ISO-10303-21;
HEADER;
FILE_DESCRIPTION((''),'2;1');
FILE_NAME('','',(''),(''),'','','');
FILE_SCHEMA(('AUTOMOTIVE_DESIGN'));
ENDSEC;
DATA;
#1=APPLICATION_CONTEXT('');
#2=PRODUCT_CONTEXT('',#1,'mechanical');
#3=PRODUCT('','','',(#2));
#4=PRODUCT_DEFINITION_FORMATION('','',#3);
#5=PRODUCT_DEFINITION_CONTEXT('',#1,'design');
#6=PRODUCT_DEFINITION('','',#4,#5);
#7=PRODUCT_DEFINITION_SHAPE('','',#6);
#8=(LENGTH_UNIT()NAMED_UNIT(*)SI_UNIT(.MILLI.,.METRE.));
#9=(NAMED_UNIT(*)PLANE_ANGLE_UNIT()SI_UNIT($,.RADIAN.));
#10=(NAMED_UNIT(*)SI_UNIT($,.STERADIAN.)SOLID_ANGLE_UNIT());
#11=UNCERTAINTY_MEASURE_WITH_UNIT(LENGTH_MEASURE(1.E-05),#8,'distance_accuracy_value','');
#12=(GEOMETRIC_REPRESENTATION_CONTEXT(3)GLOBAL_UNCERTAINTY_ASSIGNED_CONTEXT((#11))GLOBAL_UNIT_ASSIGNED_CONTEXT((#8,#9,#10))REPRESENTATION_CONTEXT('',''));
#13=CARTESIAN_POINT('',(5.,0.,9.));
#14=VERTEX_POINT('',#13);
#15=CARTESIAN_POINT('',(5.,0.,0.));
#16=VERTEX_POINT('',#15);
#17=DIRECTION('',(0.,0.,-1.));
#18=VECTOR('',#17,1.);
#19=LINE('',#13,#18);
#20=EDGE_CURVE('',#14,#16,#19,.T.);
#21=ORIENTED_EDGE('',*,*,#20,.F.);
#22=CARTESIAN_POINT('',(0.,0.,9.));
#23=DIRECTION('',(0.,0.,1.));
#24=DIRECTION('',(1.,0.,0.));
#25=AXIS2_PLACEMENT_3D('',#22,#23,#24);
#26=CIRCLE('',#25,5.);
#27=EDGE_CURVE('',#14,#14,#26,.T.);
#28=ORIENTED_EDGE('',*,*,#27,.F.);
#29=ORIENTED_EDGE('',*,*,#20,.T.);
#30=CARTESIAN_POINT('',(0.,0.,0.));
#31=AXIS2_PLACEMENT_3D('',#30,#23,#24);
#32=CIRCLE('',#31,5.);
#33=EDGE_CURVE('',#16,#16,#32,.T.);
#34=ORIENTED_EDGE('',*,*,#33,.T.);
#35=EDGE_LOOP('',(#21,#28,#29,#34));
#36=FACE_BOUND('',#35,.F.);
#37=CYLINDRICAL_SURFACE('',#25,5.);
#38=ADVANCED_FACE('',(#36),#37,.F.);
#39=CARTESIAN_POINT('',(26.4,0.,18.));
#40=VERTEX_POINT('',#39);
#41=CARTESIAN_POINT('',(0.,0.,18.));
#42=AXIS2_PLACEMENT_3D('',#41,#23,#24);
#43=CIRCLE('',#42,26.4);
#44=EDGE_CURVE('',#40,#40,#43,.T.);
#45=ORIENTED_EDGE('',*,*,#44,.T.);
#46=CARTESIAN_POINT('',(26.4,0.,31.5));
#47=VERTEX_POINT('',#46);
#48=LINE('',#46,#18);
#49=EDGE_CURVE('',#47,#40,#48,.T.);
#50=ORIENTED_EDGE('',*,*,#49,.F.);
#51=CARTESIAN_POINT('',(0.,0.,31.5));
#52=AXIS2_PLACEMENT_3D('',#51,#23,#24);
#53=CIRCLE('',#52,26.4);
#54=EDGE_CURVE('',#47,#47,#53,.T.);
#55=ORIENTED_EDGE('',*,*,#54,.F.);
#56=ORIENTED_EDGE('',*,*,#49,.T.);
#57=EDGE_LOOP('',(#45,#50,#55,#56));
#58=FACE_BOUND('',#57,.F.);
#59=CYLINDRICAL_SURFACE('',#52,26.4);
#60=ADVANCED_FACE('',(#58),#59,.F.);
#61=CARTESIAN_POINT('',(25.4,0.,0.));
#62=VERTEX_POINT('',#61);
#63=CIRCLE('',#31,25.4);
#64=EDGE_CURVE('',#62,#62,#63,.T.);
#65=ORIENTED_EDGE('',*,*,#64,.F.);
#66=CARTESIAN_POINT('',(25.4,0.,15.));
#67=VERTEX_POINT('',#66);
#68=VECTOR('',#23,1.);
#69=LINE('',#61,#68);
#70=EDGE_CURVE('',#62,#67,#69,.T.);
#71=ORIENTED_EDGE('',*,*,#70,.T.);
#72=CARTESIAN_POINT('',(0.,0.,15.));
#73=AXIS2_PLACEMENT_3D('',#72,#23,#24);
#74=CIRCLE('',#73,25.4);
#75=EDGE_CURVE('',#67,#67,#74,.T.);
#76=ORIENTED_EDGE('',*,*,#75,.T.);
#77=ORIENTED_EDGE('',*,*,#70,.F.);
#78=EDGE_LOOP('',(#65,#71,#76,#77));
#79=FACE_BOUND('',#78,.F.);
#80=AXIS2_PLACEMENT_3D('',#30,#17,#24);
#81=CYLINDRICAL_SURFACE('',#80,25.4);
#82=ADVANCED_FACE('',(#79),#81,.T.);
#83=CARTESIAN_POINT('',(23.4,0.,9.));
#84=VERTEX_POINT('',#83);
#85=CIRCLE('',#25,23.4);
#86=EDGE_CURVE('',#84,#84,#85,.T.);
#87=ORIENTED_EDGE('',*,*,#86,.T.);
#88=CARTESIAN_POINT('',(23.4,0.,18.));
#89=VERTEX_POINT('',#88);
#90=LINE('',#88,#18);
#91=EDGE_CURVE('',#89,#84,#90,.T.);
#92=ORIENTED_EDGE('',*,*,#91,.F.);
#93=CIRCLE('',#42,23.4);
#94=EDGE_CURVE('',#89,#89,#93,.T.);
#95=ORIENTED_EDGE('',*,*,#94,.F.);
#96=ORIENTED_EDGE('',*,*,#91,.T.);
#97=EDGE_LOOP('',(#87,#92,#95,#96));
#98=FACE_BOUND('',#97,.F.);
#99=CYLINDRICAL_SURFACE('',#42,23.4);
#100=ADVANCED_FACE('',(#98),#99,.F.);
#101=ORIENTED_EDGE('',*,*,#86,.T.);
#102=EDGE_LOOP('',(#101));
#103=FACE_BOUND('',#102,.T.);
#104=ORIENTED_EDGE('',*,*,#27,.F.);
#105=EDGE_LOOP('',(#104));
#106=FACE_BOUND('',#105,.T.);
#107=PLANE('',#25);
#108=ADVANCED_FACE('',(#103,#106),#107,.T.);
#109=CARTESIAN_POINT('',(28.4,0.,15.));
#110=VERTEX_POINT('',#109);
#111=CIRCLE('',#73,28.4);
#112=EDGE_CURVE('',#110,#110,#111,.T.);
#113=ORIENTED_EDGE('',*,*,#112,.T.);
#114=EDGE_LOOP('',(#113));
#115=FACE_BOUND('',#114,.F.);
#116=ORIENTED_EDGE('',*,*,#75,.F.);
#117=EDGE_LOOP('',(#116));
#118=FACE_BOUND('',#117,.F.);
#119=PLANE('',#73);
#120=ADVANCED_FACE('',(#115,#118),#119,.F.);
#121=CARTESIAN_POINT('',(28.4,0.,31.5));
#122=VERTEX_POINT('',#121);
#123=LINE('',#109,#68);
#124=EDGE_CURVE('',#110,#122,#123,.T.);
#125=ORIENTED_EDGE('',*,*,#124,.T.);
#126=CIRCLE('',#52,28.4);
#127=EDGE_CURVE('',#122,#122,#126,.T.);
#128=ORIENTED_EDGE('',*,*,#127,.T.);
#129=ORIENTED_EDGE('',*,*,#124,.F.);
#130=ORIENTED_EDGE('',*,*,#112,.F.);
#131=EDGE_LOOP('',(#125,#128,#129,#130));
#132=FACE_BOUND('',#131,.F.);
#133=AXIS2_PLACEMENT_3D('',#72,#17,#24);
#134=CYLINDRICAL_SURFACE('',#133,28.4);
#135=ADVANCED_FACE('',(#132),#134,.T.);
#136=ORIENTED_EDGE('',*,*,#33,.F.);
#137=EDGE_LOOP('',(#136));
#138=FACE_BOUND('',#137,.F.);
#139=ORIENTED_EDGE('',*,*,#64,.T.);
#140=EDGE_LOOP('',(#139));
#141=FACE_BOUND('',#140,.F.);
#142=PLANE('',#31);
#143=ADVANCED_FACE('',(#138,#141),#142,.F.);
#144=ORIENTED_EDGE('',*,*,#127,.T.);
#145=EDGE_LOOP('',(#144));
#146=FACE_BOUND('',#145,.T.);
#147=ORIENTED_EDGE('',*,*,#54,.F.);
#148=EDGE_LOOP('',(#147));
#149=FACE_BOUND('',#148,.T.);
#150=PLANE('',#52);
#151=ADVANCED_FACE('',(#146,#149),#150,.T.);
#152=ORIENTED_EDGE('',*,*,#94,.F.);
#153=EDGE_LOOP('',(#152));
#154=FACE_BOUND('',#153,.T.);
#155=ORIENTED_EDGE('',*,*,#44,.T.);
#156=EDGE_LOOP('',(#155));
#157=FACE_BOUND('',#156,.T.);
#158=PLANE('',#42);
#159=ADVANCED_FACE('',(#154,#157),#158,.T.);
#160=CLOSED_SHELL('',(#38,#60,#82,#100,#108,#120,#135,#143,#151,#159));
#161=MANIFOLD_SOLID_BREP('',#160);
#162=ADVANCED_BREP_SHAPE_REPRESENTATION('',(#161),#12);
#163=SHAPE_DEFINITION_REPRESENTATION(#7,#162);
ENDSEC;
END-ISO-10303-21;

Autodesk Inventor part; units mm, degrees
ref_plane "YZ Plane" through (0, 0, 0) normal (1, 0, 0) x (0, 1, 0)
ref_plane "XZ Plane" through (0, 0, 0) normal (0, 1, 0) x (-1, 0, 0)
ref_plane "XY Plane" through (0, 0, 0) normal (0, 0, 1) x (1, 0, 0)
sketch "Sketch1" plane through (0, 0, 0) normal (0, 0, 1) x (1, 0, 0)
  circle A0 centre (0, 0) radius 25.4
  dimension "d0" = 50.8
extrude "Extrusion1" add sketch "Sketch1" along normal blind 15
sketch "Sketch2" plane through (0, 0, 15) normal (0, 0, 1) x (1, 0, 0)
  circle A0 centre (0, 0) radius 25.4 projected
  circle A1 centre (0, 0) radius 28.4
  dimension "d3" = 56.8
extrude "Extrusion2" add sketch "Sketch2" along normal blind 16.5 contours A0 | A1
sketch "Sketch3" plane through (0, 0, 31.5) normal (0, 0, 1) x (1, 0, 0)
  circle A0 centre (0, 0) radius 28.4 projected
  circle A1 centre (0, 0) radius 26.4
  dimension "d6" = 52.8
extrude "Extrusion3" cut sketch "Sketch3" against normal blind 13.5 contours A1
sketch "Sketch4" plane through (0, 0, 18) normal (0, 0, 1) x (1, 0, 0)
  circle A0 centre (0, 0) radius 26.4 projected
  circle A1 centre (0, 0) radius 23.4
  dimension "d9" = 46.8
extrude "Extrusion4" cut sketch "Sketch4" against normal blind 9 contours A1
sketch "Sketch5" plane through (0, 0, 9) normal (0, 0, 1) x (1, 0, 0)
  circle A0 centre (0, 0) radius 23.4 projected
  circle A1 centre (0, 0) radius 5
  dimension "d12" = 10
extrude "Extrusion5" cut sketch "Sketch5" against normal through all contours A1
properties part number "PZTmount"
